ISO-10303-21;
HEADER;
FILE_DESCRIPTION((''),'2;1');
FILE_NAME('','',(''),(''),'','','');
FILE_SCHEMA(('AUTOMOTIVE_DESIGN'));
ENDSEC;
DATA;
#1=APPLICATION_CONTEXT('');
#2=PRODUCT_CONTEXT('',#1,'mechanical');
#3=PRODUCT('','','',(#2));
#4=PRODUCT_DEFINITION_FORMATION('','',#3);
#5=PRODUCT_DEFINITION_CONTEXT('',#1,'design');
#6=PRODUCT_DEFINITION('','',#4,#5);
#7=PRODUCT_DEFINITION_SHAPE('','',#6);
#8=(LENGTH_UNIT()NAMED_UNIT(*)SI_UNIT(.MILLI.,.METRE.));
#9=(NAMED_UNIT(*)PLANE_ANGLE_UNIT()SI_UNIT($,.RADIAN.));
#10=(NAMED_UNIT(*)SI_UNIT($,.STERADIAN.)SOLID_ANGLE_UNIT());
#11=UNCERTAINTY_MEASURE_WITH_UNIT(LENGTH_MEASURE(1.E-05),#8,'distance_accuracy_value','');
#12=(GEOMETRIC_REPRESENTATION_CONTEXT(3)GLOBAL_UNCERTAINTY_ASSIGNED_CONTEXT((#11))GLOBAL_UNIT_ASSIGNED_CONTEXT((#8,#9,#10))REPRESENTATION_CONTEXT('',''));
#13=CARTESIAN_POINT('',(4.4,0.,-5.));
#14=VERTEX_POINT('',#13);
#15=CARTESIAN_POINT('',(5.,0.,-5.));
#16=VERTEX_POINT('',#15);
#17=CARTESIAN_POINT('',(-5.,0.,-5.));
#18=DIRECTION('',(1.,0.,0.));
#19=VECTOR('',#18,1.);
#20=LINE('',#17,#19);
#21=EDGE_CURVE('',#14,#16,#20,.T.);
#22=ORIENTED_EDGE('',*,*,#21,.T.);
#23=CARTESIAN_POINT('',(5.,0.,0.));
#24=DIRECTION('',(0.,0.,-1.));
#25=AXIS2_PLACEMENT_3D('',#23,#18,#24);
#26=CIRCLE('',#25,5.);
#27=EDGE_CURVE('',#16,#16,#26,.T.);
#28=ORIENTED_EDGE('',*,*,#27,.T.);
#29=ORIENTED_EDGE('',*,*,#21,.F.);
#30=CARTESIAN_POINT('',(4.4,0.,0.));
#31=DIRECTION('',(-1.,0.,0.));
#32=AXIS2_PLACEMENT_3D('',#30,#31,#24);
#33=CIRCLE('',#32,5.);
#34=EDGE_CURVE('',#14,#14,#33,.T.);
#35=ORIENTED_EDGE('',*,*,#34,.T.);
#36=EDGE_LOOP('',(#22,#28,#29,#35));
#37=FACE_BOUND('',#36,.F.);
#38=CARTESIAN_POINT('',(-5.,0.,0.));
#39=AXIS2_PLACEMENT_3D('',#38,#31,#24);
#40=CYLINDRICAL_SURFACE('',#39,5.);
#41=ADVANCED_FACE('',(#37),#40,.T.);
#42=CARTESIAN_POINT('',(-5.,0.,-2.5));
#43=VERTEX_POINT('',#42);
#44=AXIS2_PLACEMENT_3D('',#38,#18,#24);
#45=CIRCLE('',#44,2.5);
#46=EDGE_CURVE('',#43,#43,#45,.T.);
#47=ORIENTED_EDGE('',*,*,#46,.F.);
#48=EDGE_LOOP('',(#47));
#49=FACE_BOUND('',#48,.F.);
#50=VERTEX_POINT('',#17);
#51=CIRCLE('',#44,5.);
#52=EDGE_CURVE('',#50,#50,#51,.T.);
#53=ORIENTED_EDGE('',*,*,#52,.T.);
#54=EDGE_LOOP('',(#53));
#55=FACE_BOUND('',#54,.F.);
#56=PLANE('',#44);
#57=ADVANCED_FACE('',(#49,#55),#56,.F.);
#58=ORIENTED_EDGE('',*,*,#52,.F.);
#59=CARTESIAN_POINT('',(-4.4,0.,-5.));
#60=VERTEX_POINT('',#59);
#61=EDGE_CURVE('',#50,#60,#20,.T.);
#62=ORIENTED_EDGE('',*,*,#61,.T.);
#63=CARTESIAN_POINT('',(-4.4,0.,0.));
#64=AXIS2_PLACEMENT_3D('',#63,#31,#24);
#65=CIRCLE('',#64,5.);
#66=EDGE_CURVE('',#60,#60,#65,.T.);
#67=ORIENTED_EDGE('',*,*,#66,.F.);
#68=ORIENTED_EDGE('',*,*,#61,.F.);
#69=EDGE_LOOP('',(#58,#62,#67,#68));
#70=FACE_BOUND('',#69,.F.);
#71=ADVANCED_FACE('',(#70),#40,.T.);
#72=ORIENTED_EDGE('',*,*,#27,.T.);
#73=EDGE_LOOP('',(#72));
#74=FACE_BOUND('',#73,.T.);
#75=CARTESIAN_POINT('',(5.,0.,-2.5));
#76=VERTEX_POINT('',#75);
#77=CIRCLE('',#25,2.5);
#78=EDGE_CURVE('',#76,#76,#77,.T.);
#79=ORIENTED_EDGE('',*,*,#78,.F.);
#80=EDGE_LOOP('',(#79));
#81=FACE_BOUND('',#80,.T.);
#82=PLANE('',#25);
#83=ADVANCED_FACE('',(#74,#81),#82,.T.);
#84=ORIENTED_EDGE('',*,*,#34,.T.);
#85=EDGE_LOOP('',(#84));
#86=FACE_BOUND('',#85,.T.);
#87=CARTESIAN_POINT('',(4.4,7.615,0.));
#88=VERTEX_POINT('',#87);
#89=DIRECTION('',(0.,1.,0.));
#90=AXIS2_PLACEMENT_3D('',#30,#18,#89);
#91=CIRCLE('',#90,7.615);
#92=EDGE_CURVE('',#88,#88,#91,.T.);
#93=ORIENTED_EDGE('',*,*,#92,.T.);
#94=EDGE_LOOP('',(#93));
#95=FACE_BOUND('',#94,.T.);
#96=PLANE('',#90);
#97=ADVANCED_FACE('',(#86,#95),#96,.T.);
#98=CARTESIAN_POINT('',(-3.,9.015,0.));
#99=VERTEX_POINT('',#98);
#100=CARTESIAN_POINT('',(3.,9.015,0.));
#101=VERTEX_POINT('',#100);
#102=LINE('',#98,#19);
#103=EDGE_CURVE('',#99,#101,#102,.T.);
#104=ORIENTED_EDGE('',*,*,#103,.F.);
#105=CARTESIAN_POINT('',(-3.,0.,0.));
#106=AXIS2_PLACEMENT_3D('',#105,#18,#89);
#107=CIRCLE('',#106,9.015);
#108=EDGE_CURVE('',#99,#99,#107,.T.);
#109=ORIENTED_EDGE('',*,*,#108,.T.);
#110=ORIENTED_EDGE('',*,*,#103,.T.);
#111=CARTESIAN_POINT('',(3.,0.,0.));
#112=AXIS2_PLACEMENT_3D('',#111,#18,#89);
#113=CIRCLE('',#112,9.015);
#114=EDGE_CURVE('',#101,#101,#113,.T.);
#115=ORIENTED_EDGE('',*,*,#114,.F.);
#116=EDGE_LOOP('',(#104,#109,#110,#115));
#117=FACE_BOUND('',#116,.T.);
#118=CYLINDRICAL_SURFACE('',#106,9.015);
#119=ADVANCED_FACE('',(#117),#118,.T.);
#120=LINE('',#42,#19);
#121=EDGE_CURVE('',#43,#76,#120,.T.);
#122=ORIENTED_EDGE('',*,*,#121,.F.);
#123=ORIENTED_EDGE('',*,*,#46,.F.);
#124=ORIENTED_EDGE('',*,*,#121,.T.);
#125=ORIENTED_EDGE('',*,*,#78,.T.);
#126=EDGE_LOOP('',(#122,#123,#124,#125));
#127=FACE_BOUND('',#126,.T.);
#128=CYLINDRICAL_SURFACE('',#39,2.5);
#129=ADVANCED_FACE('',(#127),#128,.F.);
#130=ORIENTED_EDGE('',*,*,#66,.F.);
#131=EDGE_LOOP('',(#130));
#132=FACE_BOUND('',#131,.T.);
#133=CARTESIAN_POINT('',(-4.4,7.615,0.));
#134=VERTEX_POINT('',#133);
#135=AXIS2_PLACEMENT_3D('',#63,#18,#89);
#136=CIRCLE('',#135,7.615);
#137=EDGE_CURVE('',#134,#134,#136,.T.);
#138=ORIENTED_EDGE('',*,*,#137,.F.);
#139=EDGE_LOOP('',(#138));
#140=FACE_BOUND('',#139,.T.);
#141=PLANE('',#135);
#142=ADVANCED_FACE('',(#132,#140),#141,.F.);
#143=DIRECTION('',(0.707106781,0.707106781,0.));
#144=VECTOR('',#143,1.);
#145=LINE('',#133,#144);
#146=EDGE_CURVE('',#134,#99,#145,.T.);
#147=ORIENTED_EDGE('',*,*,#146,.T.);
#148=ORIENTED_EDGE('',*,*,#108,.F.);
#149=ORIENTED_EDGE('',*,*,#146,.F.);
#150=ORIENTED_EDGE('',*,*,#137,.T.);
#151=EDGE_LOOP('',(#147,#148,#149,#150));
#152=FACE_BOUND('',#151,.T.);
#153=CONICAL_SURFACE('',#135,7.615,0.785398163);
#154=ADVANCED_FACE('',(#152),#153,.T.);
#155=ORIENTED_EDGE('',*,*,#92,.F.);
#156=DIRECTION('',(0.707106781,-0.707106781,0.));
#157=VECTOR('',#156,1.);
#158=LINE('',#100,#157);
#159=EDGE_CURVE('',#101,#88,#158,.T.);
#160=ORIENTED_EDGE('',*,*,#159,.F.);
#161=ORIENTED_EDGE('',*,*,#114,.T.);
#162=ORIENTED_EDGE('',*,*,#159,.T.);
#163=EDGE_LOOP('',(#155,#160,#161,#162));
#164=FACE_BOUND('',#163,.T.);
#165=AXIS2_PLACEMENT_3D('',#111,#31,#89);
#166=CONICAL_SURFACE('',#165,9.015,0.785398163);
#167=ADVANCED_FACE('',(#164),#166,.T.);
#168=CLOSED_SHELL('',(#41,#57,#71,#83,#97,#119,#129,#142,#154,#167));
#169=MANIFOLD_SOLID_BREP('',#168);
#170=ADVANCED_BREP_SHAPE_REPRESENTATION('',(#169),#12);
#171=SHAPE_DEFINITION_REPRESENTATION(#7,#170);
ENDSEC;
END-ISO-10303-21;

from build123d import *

# Parameters (mm, degrees)
CYLINDER003_R     = 2.5
CYLINDER003_DEPTH = 10
CYLINDER_R        = 5
CYLINDER_DEPTH    = 10
CYLINDER002_R     = 2.5
CYLINDER002_DEPTH = 10


with BuildPart() as cylinder003:
    # Cylinder003 → Cylinder003 (new body)
    with BuildSketch(Plane(origin=(-5, 0, 0), x_dir=(0, 0, -1), z_dir=(1, 0, 0))):
        Circle(CYLINDER003_R)
    extrude(amount=CYLINDER003_DEPTH)


with BuildPart() as cut001:
    # Cylinder → Cylinder (new body)
    with BuildSketch(Plane(origin=(-5, 0, 0), x_dir=(0, 0, -1), z_dir=(1, 0, 0))):
        Circle(CYLINDER_R)
    extrude(amount=CYLINDER_DEPTH)

    # Cut001: cut Cylinder003
    add(cylinder003.part, mode=Mode.SUBTRACT)


with BuildPart() as cylinder002:
    # Cylinder002 → Cylinder002 (new body)
    with BuildSketch(Plane(origin=(-5, 0, 0), x_dir=(0, 0, -1), z_dir=(1, 0, 0))):
        Circle(CYLINDER002_R)
    extrude(amount=CYLINDER002_DEPTH)


with BuildPart() as fusion:
    # Sketch → Revolve (revolve)
    with BuildSketch(Plane.XY):
        Polygon((-4.4, 0), (-4.4, 7.615), (-3, 9.015), (3, 9.015), (4.4, 7.615), (4.4, 0), (0, 0), align=None)
    revolve(axis=Axis((0, 0, 0), (1, 0, 0)))

    # Cut: cut Cylinder002
    add(cylinder002.part, mode=Mode.SUBTRACT)

    # Fusion: union Cut001
    add(cut001.part)


solid = fusion.part
